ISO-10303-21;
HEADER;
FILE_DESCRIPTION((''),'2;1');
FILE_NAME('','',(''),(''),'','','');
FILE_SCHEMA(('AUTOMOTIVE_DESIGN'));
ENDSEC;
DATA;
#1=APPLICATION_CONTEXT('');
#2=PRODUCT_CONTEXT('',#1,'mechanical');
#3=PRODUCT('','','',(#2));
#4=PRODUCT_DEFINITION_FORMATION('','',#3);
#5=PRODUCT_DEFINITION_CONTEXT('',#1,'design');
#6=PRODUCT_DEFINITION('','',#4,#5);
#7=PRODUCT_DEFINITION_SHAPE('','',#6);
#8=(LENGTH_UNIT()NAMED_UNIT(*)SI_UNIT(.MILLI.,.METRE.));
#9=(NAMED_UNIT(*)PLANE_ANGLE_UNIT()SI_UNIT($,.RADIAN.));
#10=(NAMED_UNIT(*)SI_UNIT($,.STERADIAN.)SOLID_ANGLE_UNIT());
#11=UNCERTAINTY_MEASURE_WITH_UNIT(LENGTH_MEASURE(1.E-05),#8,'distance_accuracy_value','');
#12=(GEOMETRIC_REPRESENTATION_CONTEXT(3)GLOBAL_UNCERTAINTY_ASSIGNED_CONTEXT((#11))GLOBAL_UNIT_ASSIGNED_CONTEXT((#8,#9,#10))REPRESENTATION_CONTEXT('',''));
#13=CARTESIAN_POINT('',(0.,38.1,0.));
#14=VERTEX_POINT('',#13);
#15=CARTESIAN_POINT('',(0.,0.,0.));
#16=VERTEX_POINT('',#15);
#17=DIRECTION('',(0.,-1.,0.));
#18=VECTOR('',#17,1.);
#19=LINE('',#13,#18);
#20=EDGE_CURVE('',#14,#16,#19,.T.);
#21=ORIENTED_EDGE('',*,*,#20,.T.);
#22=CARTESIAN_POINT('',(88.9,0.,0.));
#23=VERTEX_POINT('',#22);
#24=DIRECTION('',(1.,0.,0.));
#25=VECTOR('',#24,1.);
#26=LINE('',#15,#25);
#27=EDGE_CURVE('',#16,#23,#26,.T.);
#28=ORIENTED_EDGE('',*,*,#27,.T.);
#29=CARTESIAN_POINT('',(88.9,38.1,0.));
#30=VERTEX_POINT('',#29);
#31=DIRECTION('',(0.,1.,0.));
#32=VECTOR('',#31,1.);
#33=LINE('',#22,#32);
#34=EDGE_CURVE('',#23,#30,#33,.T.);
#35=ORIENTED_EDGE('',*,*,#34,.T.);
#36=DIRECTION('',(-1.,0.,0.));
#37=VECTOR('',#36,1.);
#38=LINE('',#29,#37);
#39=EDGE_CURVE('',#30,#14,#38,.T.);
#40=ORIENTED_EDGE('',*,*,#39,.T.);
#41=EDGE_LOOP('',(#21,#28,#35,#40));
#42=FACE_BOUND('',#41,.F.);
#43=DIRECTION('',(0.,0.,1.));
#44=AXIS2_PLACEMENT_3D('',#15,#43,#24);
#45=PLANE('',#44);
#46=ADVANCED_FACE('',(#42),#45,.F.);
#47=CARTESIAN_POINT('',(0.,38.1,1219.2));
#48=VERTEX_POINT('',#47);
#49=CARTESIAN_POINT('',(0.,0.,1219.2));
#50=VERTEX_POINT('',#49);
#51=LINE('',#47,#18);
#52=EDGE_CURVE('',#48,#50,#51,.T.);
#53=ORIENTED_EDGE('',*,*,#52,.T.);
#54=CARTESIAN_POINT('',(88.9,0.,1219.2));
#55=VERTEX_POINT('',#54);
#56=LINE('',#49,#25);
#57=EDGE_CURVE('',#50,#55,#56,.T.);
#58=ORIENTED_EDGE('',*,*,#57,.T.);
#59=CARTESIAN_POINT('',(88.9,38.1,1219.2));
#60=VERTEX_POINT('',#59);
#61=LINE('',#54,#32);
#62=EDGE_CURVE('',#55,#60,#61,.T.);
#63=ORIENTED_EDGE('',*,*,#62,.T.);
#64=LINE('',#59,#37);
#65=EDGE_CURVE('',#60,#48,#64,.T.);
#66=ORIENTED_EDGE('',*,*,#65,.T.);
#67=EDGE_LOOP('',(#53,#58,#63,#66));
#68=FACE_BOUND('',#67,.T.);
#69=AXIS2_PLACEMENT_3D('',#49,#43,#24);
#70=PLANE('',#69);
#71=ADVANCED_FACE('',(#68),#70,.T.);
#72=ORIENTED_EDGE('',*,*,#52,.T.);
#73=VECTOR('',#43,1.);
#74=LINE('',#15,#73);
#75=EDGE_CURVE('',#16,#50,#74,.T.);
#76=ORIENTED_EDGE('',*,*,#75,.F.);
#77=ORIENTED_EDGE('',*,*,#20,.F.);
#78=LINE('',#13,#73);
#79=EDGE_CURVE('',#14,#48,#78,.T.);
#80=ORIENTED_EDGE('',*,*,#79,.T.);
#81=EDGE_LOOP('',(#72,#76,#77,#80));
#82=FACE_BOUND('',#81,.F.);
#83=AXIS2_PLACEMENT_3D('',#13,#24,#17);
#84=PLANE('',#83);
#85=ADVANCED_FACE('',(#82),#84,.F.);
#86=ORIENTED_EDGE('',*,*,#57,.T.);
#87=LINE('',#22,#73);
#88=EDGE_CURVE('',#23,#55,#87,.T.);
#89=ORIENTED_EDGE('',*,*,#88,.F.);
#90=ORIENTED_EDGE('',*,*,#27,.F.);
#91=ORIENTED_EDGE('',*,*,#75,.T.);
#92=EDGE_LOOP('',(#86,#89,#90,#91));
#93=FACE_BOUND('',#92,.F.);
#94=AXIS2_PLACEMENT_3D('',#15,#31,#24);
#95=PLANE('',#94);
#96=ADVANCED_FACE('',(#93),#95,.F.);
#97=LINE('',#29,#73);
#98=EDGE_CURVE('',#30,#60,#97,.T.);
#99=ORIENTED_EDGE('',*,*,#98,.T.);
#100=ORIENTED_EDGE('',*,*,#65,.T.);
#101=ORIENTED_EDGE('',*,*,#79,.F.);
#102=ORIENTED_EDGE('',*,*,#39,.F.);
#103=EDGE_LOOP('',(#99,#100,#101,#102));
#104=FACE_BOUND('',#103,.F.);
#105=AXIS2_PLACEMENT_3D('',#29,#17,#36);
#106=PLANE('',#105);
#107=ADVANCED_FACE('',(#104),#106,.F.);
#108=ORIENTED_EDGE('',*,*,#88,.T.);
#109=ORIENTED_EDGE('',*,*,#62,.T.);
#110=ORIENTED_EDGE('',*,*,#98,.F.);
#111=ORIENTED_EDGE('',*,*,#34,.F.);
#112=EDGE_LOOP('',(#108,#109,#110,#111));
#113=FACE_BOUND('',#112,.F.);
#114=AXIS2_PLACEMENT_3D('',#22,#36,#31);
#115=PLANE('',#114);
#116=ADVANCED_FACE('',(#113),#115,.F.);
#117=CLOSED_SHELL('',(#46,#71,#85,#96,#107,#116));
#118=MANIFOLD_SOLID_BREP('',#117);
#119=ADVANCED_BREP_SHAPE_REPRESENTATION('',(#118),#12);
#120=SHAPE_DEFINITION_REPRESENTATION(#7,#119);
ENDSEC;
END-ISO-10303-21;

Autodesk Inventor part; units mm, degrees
ref_plane "YZ Plane" through (0, 0, 0) normal (1, 0, 0) x (0, 1, 0)
ref_plane "XZ Plane" through (0, 0, 0) normal (0, 1, 0) x (-1, 0, 0)
ref_plane "XY Plane" through (0, 0, 0) normal (0, 0, 1) x (1, 0, 0)
sketch "Sketch1" plane through (0, 0, 0) normal (0, 0, 1) x (1, 0, 0)
  line L0 (0, 0) -> (88.9, 0)
  line L1 (88.9, 0) -> (88.9, 38.1)
  line L2 (88.9, 38.1) -> (0, 38.1)
  line L3 (0, 38.1) -> (0, 0)
  dimension "d0" = 38.1
  dimension "d1" = 88.9
extrude "Extrusion1" add sketch "Sketch1" along normal blind 1219.2
properties part number "2x4x48"
